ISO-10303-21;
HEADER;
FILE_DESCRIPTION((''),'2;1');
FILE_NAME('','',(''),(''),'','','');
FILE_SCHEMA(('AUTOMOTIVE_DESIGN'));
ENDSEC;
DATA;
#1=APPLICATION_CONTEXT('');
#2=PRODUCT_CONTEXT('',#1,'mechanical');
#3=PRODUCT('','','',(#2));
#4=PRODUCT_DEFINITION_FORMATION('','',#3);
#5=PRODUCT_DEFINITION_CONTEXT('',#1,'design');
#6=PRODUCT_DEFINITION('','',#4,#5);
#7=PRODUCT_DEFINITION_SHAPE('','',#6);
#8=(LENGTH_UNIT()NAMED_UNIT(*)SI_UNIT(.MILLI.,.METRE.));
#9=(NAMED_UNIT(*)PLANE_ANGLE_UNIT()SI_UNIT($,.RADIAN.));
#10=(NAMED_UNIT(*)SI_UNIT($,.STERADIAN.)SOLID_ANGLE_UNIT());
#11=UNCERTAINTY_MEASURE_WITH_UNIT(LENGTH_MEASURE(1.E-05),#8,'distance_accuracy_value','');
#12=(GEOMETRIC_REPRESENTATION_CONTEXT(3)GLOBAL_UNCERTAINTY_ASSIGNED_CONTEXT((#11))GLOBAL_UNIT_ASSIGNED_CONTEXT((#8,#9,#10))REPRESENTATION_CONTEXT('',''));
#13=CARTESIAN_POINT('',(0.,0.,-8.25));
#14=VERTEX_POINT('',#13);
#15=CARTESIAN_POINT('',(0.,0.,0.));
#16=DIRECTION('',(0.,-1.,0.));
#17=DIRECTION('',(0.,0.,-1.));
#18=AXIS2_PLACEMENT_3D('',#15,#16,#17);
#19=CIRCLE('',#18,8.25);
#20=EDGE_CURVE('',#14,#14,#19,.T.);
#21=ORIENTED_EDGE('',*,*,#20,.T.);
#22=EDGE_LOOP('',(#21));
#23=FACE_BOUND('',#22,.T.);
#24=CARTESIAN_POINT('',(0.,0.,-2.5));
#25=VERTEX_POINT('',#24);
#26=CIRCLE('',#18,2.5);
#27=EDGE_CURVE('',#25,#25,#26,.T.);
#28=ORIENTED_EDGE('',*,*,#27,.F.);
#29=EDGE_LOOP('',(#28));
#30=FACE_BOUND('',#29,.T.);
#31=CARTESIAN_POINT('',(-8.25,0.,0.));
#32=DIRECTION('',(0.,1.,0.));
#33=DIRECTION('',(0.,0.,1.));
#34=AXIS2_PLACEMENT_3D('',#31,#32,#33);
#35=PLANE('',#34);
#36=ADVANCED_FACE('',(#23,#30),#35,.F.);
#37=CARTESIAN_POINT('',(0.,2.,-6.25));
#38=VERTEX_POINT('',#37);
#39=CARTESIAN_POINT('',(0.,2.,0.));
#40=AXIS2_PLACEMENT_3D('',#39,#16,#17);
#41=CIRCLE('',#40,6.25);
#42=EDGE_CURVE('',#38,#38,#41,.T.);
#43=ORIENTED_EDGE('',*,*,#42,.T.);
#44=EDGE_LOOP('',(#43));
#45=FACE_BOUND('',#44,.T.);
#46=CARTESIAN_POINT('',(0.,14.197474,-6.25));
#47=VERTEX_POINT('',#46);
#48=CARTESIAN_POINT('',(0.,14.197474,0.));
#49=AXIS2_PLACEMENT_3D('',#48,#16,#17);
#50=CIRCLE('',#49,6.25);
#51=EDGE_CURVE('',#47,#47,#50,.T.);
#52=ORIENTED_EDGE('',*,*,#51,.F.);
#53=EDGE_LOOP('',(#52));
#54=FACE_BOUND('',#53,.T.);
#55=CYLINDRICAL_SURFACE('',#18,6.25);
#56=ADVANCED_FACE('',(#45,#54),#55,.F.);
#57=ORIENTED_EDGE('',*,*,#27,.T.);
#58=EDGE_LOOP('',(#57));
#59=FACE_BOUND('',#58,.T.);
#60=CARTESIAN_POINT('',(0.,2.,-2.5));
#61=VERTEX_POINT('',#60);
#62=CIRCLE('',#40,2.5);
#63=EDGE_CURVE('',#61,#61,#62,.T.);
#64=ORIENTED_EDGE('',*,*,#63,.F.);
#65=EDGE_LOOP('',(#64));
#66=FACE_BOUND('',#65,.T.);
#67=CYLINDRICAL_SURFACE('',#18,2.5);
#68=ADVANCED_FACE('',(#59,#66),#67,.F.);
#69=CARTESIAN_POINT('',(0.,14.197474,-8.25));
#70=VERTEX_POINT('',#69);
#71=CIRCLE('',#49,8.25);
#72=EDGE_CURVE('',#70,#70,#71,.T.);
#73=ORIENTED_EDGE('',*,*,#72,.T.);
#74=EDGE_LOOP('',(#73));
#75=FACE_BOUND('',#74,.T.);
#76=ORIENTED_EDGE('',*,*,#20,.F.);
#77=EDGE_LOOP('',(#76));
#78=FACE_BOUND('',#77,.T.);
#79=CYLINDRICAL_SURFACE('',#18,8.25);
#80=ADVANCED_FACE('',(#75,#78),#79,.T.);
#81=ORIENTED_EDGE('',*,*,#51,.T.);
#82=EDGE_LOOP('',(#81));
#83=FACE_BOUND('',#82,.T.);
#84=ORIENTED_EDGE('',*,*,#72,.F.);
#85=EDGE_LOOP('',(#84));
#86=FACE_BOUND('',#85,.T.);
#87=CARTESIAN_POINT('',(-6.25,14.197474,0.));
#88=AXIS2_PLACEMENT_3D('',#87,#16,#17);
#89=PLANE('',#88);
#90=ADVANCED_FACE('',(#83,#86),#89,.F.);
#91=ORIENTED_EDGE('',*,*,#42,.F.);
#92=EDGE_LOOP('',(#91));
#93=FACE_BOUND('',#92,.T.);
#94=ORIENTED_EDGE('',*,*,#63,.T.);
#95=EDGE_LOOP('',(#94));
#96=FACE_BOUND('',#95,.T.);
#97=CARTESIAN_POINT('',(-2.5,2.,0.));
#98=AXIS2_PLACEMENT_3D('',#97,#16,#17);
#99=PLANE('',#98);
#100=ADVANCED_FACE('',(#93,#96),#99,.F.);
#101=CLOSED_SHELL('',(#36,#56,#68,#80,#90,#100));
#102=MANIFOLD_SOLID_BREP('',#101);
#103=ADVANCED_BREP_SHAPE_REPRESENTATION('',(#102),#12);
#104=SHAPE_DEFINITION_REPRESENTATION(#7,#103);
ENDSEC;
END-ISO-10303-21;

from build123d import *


with BuildPart() as part:
    # Эскиз1 → Повернуть1 (revolve)
    with BuildSketch(Plane.XY, mode=Mode.PRIVATE) as revolve_1_sk:
        Polygon((-2.5, 0), (-2.5, 2), (-6.25, 2), (-6.25, 14.197473599), (-8.25, 14.197473599), (-8.25, 0), align=None)
    revolve(revolve_1_sk.sketch.rotate(Axis((0, 0, 0), (0, 1, 0)), 270), axis=Axis((0, 0, 0), (0, 1, 0)))


solid = part.part
